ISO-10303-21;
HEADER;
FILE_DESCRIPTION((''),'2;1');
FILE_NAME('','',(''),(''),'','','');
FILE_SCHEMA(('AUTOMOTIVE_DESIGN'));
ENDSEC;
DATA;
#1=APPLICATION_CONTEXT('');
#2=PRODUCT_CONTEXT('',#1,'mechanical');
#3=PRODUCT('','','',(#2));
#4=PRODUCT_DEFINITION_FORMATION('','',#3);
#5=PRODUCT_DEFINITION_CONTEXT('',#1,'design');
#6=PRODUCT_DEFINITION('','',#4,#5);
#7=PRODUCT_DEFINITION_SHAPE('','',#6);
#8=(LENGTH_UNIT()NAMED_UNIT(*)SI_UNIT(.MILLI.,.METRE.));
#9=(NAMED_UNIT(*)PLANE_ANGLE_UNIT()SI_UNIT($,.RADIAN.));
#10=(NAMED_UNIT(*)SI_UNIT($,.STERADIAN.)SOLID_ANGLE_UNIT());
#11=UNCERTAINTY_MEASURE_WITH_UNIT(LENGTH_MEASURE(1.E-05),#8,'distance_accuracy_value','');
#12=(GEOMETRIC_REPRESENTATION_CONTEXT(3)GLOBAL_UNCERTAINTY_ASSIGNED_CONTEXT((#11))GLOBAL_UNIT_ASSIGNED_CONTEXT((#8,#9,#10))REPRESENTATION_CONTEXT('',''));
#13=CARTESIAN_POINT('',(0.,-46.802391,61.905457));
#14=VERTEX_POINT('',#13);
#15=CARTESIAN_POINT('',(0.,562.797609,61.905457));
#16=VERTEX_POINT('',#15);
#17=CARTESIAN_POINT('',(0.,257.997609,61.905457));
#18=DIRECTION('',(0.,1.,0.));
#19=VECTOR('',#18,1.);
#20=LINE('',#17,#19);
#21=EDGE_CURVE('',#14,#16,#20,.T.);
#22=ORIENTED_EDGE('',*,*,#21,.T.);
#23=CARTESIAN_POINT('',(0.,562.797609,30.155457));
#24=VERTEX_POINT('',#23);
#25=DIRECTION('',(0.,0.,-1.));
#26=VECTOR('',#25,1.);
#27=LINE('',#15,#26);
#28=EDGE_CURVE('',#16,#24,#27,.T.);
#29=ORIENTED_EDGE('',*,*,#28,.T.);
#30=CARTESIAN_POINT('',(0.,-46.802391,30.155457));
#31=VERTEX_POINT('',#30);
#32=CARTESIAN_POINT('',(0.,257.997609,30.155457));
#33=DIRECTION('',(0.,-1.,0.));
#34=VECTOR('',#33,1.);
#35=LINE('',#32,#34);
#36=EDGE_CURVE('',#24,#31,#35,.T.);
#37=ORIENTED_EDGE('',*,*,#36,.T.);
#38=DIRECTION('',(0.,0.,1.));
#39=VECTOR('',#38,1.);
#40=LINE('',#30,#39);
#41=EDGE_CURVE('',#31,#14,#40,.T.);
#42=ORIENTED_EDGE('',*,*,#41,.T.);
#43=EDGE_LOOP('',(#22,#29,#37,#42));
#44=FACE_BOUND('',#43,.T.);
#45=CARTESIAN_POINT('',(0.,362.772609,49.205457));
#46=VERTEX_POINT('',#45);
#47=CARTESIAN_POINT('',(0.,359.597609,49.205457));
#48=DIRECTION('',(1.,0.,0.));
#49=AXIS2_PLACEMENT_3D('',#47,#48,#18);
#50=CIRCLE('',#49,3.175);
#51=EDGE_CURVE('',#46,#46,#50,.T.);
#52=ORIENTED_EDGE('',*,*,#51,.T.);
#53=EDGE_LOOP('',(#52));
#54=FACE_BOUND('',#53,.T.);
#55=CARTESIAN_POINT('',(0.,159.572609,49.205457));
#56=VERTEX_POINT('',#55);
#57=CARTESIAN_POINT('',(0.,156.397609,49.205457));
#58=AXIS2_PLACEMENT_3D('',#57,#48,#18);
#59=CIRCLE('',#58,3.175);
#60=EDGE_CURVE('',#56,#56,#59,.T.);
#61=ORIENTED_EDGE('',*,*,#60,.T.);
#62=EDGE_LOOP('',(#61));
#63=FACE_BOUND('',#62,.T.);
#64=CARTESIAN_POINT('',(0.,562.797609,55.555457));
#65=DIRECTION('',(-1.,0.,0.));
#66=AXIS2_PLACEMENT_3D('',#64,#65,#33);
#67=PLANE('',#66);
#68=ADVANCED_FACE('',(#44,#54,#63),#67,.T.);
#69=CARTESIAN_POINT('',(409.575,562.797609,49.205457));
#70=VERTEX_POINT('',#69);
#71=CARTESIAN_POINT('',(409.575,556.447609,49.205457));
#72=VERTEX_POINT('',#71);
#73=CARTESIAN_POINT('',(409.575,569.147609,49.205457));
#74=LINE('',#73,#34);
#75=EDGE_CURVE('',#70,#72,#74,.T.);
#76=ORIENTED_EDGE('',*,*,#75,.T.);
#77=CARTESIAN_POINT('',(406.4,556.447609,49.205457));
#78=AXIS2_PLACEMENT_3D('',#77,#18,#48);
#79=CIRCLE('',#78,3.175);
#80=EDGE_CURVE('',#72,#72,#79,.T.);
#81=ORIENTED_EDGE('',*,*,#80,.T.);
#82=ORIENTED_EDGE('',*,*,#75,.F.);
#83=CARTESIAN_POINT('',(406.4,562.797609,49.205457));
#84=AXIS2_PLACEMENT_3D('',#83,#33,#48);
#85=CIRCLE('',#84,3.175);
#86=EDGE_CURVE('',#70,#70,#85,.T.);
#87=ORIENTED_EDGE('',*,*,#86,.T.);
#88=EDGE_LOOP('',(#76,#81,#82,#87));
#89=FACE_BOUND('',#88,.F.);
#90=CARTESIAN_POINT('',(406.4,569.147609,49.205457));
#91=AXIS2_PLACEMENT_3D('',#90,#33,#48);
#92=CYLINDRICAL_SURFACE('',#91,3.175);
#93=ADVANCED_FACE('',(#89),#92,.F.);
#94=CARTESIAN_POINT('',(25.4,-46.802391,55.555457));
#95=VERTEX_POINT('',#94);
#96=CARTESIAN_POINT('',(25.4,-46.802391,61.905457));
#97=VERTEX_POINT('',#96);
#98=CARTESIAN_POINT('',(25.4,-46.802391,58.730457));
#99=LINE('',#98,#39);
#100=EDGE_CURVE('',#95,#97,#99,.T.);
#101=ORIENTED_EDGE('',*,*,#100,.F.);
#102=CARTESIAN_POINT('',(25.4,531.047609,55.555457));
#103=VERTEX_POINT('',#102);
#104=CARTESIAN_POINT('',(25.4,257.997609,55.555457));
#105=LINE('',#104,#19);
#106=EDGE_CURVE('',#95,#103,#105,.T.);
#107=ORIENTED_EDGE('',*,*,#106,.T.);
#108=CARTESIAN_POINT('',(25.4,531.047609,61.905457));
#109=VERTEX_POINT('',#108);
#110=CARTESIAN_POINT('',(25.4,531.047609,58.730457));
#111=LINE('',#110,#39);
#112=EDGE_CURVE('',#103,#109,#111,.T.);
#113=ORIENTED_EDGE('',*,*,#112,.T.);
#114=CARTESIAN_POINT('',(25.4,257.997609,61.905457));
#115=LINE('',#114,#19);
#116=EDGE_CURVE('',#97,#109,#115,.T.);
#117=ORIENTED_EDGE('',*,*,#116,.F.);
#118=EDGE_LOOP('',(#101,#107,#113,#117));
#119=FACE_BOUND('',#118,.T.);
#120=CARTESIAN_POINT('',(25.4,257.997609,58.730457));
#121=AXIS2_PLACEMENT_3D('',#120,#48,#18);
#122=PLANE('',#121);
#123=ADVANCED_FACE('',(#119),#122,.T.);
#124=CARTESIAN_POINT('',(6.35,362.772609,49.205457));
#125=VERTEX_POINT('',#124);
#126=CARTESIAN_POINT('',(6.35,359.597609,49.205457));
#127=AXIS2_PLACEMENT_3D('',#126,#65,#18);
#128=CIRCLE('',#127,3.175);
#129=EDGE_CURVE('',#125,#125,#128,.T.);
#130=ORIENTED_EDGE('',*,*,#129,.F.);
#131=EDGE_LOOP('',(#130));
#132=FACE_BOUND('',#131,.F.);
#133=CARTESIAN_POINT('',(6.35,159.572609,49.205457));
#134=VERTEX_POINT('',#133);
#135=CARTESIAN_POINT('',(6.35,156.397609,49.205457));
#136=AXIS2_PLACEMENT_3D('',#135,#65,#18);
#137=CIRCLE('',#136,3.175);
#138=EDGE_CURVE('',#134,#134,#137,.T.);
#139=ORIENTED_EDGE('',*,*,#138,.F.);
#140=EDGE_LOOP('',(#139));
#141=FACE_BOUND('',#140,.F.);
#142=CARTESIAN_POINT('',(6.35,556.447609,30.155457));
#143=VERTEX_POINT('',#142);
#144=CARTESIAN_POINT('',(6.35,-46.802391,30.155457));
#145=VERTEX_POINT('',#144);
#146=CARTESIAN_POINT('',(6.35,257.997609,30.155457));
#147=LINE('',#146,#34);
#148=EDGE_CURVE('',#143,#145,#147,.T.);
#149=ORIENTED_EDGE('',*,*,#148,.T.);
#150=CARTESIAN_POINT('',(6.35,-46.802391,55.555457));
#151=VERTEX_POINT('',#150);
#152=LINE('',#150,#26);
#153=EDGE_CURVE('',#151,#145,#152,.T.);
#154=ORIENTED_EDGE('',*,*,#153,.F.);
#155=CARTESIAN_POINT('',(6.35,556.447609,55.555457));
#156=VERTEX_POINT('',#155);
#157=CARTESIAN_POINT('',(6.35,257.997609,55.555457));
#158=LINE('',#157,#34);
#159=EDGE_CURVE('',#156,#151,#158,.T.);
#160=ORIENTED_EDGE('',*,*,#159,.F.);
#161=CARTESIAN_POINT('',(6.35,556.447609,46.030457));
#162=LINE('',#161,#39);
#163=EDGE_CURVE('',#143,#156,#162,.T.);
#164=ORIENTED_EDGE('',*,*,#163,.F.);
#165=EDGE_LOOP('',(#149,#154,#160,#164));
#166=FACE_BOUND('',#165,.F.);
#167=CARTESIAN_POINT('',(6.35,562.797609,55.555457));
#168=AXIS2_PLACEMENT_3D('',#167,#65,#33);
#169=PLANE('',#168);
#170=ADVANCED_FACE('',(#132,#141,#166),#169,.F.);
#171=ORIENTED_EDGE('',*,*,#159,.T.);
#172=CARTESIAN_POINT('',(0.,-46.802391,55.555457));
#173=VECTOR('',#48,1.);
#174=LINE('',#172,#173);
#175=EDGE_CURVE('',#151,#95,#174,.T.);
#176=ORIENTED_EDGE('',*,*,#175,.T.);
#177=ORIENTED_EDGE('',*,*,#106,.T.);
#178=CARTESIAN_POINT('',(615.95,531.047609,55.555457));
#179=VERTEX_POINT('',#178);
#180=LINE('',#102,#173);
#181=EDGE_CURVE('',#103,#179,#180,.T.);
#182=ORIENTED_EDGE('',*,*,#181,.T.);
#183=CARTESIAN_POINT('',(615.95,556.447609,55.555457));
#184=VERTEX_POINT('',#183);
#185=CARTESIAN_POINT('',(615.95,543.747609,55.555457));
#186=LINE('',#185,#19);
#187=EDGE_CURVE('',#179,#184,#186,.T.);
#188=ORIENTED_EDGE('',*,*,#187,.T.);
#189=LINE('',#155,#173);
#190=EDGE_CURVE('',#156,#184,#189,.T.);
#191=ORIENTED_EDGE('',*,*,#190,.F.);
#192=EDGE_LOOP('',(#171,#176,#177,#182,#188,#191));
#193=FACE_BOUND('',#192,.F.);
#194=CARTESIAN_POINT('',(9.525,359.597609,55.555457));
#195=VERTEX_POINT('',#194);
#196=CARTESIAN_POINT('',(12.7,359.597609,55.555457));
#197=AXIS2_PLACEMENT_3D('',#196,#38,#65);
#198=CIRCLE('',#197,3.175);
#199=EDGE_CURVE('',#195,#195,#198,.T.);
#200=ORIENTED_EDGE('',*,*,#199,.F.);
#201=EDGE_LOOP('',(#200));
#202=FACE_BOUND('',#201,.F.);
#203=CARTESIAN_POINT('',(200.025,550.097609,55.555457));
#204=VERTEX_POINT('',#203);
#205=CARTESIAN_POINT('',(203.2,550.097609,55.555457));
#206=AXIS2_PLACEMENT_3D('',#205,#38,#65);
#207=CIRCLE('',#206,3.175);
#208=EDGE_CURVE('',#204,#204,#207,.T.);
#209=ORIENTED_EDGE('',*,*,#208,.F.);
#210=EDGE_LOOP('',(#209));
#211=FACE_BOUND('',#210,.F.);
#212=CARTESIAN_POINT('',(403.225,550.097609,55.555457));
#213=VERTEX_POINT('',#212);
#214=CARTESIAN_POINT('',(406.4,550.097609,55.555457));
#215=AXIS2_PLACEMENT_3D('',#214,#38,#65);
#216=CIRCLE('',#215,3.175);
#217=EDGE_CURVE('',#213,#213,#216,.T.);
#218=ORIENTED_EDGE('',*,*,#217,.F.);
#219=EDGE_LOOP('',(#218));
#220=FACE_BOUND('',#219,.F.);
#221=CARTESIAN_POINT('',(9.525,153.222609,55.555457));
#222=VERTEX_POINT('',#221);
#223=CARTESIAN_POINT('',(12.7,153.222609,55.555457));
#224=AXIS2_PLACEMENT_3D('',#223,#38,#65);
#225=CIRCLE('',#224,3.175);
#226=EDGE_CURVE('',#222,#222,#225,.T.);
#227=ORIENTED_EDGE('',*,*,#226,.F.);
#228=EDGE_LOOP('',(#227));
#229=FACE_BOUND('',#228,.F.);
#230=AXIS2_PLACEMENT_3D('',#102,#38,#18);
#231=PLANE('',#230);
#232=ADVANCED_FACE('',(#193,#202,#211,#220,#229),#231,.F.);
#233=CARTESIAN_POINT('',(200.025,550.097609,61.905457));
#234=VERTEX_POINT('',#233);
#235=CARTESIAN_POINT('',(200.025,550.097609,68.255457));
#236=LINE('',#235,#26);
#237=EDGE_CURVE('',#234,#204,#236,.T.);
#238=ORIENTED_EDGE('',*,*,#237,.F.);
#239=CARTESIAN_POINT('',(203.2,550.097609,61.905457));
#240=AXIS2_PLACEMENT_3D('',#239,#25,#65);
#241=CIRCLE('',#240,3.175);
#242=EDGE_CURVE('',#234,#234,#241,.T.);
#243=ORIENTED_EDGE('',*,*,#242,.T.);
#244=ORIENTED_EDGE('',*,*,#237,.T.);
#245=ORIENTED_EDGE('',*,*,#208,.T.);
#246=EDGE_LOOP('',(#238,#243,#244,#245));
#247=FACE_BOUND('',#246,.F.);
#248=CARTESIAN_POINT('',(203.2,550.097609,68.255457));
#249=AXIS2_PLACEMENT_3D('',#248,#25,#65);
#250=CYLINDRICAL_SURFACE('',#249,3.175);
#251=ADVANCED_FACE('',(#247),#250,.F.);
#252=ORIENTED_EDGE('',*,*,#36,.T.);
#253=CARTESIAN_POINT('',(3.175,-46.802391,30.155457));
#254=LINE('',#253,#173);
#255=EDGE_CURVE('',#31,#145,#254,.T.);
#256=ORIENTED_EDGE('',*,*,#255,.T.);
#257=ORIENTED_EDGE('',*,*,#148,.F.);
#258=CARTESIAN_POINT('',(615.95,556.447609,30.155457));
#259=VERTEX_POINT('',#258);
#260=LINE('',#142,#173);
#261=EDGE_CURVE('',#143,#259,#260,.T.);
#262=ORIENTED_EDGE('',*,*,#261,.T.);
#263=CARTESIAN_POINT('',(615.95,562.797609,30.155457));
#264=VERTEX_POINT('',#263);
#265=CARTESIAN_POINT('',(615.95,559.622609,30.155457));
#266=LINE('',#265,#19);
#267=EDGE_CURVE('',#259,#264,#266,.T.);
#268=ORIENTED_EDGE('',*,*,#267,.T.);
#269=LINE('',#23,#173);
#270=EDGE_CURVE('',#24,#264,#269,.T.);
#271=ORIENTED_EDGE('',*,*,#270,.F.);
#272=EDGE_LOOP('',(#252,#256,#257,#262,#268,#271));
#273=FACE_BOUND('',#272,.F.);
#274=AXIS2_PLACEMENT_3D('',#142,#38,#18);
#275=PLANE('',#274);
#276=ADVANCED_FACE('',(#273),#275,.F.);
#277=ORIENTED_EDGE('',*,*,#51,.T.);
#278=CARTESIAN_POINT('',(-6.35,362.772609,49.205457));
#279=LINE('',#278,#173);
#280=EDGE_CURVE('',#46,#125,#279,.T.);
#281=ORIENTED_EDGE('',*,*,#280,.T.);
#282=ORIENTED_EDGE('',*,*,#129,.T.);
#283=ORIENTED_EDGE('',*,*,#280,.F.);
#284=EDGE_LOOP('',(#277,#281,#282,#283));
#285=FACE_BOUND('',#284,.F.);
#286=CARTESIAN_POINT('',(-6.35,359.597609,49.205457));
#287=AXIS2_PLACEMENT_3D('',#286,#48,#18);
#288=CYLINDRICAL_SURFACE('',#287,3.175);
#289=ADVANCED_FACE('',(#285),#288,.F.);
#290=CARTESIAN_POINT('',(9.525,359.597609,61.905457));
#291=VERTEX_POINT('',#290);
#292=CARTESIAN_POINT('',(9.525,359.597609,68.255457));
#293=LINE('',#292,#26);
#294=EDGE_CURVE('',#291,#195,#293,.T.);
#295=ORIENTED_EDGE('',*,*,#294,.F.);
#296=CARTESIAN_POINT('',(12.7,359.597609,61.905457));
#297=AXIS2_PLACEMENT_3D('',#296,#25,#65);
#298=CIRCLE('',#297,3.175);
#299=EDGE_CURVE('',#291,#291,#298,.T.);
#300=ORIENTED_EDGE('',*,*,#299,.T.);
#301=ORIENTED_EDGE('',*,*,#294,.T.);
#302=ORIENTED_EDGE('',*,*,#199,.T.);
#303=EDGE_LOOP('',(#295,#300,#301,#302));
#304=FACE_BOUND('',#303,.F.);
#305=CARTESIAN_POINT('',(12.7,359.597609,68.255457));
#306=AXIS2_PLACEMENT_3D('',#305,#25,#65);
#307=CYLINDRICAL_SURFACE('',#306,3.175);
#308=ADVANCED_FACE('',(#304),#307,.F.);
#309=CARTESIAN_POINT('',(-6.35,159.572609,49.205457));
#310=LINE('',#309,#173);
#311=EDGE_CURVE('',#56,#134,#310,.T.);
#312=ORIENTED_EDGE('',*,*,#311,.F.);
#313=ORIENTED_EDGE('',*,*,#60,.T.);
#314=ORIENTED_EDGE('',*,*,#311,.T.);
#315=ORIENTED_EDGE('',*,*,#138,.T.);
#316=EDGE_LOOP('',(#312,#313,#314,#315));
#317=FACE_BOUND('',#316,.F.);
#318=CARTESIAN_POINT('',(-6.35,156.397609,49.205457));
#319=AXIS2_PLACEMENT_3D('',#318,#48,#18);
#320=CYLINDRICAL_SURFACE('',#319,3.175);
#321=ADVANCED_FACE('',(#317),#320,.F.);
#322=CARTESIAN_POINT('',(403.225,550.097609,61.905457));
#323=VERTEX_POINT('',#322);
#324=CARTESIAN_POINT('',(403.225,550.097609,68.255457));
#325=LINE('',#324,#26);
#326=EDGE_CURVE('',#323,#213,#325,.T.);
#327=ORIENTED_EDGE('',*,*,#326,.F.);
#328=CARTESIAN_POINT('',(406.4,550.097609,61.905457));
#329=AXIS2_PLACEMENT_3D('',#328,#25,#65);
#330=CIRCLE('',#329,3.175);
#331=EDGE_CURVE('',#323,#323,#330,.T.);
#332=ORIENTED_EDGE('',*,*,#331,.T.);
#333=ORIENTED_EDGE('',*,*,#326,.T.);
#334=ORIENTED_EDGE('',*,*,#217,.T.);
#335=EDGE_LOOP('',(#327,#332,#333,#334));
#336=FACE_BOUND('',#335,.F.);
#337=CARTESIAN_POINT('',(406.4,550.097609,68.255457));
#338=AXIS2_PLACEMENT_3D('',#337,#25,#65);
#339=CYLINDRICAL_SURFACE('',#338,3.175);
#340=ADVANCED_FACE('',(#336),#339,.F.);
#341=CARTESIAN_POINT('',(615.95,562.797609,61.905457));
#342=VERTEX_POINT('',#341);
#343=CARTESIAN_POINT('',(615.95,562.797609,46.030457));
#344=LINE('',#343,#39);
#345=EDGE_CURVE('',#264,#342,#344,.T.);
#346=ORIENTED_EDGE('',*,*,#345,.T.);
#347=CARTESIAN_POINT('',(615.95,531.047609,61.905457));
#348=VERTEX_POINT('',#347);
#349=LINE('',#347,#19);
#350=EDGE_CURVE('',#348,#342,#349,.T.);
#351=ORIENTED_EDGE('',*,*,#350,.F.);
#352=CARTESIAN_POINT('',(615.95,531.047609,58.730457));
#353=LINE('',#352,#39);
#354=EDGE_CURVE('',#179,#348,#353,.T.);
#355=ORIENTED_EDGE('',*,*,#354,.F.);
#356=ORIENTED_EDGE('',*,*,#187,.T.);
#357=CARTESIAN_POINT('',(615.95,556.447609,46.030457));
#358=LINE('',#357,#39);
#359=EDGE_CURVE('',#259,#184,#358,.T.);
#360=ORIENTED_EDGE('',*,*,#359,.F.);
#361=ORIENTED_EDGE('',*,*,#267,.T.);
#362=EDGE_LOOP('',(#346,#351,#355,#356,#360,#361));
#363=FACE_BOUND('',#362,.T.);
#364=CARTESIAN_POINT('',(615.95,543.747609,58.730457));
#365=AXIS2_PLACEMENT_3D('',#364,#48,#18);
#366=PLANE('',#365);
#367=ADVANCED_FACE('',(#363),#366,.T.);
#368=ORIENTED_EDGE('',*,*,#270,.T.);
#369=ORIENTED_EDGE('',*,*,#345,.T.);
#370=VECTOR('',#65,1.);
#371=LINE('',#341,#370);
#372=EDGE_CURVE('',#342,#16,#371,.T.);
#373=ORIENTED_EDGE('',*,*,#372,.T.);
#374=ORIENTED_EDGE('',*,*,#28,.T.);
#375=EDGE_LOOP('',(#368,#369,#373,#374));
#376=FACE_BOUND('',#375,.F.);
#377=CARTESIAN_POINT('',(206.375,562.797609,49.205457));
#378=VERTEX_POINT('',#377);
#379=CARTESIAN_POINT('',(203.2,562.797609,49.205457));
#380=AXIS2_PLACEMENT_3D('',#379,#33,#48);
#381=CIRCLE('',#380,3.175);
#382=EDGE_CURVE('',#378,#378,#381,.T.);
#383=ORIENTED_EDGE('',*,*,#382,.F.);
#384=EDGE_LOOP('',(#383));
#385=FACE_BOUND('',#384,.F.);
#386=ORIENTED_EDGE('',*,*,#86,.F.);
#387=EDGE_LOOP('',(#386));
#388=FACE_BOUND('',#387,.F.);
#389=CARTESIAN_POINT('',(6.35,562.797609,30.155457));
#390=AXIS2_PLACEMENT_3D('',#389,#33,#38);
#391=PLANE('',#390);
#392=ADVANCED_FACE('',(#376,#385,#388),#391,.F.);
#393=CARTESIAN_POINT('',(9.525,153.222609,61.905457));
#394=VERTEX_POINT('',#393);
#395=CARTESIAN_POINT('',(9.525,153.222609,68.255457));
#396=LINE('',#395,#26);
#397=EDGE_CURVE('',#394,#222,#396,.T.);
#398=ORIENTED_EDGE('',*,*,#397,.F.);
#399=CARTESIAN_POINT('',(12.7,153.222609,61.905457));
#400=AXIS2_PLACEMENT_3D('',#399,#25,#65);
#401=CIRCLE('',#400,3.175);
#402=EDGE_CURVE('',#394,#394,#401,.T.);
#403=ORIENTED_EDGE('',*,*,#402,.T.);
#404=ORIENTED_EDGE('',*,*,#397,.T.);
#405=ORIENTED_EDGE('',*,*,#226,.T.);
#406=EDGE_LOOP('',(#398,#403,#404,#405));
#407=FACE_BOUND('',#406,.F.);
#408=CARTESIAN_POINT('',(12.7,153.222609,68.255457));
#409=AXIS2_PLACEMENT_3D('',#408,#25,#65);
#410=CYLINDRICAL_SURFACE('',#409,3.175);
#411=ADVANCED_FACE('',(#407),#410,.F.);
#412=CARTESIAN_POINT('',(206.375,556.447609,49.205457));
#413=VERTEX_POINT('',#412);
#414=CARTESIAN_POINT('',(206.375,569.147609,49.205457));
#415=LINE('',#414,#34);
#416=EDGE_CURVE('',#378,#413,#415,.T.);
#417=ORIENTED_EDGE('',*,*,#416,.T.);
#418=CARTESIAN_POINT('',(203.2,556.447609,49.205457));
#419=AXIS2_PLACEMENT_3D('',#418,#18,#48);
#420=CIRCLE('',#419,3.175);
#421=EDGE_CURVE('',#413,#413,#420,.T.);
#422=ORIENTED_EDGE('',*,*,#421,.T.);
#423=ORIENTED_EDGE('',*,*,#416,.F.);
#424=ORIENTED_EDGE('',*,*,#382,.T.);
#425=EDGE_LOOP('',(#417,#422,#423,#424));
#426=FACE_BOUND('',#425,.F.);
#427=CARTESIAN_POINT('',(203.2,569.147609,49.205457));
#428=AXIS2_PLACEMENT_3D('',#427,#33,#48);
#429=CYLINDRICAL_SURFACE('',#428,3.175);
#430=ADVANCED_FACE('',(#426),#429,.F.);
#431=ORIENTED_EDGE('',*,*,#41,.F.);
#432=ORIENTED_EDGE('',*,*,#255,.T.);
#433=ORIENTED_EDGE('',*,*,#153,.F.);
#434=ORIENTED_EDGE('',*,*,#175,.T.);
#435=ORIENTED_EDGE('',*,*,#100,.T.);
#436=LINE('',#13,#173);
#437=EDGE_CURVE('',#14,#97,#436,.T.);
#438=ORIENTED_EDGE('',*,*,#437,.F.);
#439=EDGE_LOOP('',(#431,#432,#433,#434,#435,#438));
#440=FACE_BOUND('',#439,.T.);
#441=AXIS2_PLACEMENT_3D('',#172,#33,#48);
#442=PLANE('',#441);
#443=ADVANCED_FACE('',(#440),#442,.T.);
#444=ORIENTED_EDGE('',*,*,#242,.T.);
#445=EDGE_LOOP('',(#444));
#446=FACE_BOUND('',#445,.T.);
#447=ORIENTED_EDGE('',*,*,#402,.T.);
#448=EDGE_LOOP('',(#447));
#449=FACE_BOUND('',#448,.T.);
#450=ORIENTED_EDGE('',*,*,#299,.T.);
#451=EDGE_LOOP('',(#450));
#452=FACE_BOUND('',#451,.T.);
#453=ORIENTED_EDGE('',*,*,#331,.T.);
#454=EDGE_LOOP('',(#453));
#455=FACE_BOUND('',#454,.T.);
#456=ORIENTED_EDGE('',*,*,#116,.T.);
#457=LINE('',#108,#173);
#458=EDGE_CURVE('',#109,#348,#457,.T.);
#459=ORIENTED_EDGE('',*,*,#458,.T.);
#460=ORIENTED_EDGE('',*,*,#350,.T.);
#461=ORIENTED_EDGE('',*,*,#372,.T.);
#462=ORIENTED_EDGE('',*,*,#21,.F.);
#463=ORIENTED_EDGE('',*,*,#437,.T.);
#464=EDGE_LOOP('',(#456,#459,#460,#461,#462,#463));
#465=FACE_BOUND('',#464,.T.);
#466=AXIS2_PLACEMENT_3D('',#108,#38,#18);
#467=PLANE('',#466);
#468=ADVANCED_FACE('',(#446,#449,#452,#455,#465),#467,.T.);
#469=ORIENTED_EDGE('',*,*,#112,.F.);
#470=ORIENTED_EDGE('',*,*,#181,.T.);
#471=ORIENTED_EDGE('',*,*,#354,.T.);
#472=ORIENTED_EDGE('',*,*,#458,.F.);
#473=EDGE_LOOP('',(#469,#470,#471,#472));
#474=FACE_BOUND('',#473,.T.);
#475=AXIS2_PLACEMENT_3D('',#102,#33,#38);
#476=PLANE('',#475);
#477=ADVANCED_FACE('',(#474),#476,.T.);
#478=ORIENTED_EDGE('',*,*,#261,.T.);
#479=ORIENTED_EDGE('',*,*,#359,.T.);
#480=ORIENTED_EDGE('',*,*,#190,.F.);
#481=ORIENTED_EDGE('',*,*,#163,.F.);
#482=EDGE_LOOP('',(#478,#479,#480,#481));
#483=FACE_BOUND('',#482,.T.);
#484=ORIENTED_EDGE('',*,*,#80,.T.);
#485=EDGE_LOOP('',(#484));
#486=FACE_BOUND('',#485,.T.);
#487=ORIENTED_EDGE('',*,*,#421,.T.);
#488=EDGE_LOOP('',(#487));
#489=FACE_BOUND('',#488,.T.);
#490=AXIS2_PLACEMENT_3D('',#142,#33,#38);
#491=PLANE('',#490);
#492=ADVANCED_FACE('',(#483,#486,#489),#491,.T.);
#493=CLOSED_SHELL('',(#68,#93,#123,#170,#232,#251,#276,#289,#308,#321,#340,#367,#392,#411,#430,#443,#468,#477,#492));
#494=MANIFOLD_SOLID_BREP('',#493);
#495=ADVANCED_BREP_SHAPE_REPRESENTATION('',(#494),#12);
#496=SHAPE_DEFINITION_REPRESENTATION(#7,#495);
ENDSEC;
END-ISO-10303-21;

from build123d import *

# Parameters (mm, degrees)
F0_W             = 609.6
F0_H             = 6.35
F1_DEPTH         = 25.4
F2_W             = 6.35
F2_H             = 609.6
F3_DEPTH         = 25.4
F4_W             = 6.35
F4_H             = 31.75
F5_DEPTH         = 609.6
F6_W             = 25.4
F6_H             = 6.35
F7_DEPTH         = 590.55
F12_D            = 6.35
F12_DEPTH        = 6.35
F12_TIP          = 1.9077324654
F13_D            = 6.35
F13_DEPTH        = 6.35
F13_TIP          = 1.9077324654
F13_ON_F10_D     = 6.35
F13_ON_F10_DEPTH = 6.35
F13_ON_F10_TIP   = 1.9077324654
F13_ON_F9_D      = 6.35
F13_ON_F9_DEPTH  = 6.35
F13_ON_F9_TIP    = 1.9077324654


with BuildPart() as f1:
    # F0 (on Right) → F1 (new body)
    with BuildSketch(Plane.YZ):
        with Locations((257.997608562, 58.7304569781)):
            Rectangle(F0_W, F0_H)
    extrude(amount=F1_DEPTH)

    # F2 (on face) → F3 (join)
    with BuildSketch(Plane(origin=(0, 0, 55.5554569781), x_dir=(1, 0, 0), z_dir=(0, 0, -1))):
        with Locations((3.175, -257.997608562)):
            Rectangle(F2_W, F2_H)
    extrude(amount=F3_DEPTH)

    # F4 (on face) → F5 (join)
    with BuildSketch(Plane.YZ.offset(6.35)):
        with Locations((559.622608562, 46.0304569781)):
            Rectangle(F4_W, F4_H)
    extrude(amount=F5_DEPTH)

    # F6 (on face) → F7 (join)
    with BuildSketch(Plane.YZ.offset(25.4)):
        with Locations((543.747608562, 58.7304569781)):
            Rectangle(F6_W, F6_H)
    extrude(amount=F7_DEPTH)

    # F12
    with Locations(Plane.XY.offset(61.9054569781)):
        with Locations((12.7, 359.597608562), (12.7, 153.222608562)):
            Hole(F12_D / 2, depth=F12_DEPTH)
            with Locations((0, 0, -(F12_DEPTH + F12_TIP / 2))):  # 118° drill point
                Cone(0, F12_D / 2, F12_TIP, mode=Mode.SUBTRACT)

    # F13
    with Locations(Plane(origin=(0, 0, 0), x_dir=(0, -1, 0), z_dir=(-1, 0, 0))):
        with Locations((-359.597608562, 49.2054569781), (-156.397608562, 49.2054569781)):
            Hole(F13_D / 2, depth=F13_DEPTH)
            with Locations((0, 0, -(F13_DEPTH + F13_TIP / 2))):  # 118° drill point
                Cone(0, F13_D / 2, F13_TIP, mode=Mode.SUBTRACT)

    # F13 on F10
    with Locations(Plane(origin=(0, 562.797608562, 0), x_dir=(-1, 0, 0), z_dir=(0, 1, 0))):
        with Locations((-203.2, 49.2054569781), (-406.4, 49.2054569781)):
            Hole(F13_ON_F10_D / 2, depth=F13_ON_F10_DEPTH)
            with Locations((0, 0, -(F13_ON_F10_DEPTH + F13_ON_F10_TIP / 2))):  # 118° drill point
                Cone(0, F13_ON_F10_D / 2, F13_ON_F10_TIP, mode=Mode.SUBTRACT)

    # F13 on F9
    with Locations(Plane.XY.offset(61.9054569781)):
        with Locations((406.4, 550.097608562), (203.2, 550.097608562)):
            Hole(F13_ON_F9_D / 2, depth=F13_ON_F9_DEPTH)
            with Locations((0, 0, -(F13_ON_F9_DEPTH + F13_ON_F9_TIP / 2))):  # 118° drill point
                Cone(0, F13_ON_F9_D / 2, F13_ON_F9_TIP, mode=Mode.SUBTRACT)


solid = f1.part
